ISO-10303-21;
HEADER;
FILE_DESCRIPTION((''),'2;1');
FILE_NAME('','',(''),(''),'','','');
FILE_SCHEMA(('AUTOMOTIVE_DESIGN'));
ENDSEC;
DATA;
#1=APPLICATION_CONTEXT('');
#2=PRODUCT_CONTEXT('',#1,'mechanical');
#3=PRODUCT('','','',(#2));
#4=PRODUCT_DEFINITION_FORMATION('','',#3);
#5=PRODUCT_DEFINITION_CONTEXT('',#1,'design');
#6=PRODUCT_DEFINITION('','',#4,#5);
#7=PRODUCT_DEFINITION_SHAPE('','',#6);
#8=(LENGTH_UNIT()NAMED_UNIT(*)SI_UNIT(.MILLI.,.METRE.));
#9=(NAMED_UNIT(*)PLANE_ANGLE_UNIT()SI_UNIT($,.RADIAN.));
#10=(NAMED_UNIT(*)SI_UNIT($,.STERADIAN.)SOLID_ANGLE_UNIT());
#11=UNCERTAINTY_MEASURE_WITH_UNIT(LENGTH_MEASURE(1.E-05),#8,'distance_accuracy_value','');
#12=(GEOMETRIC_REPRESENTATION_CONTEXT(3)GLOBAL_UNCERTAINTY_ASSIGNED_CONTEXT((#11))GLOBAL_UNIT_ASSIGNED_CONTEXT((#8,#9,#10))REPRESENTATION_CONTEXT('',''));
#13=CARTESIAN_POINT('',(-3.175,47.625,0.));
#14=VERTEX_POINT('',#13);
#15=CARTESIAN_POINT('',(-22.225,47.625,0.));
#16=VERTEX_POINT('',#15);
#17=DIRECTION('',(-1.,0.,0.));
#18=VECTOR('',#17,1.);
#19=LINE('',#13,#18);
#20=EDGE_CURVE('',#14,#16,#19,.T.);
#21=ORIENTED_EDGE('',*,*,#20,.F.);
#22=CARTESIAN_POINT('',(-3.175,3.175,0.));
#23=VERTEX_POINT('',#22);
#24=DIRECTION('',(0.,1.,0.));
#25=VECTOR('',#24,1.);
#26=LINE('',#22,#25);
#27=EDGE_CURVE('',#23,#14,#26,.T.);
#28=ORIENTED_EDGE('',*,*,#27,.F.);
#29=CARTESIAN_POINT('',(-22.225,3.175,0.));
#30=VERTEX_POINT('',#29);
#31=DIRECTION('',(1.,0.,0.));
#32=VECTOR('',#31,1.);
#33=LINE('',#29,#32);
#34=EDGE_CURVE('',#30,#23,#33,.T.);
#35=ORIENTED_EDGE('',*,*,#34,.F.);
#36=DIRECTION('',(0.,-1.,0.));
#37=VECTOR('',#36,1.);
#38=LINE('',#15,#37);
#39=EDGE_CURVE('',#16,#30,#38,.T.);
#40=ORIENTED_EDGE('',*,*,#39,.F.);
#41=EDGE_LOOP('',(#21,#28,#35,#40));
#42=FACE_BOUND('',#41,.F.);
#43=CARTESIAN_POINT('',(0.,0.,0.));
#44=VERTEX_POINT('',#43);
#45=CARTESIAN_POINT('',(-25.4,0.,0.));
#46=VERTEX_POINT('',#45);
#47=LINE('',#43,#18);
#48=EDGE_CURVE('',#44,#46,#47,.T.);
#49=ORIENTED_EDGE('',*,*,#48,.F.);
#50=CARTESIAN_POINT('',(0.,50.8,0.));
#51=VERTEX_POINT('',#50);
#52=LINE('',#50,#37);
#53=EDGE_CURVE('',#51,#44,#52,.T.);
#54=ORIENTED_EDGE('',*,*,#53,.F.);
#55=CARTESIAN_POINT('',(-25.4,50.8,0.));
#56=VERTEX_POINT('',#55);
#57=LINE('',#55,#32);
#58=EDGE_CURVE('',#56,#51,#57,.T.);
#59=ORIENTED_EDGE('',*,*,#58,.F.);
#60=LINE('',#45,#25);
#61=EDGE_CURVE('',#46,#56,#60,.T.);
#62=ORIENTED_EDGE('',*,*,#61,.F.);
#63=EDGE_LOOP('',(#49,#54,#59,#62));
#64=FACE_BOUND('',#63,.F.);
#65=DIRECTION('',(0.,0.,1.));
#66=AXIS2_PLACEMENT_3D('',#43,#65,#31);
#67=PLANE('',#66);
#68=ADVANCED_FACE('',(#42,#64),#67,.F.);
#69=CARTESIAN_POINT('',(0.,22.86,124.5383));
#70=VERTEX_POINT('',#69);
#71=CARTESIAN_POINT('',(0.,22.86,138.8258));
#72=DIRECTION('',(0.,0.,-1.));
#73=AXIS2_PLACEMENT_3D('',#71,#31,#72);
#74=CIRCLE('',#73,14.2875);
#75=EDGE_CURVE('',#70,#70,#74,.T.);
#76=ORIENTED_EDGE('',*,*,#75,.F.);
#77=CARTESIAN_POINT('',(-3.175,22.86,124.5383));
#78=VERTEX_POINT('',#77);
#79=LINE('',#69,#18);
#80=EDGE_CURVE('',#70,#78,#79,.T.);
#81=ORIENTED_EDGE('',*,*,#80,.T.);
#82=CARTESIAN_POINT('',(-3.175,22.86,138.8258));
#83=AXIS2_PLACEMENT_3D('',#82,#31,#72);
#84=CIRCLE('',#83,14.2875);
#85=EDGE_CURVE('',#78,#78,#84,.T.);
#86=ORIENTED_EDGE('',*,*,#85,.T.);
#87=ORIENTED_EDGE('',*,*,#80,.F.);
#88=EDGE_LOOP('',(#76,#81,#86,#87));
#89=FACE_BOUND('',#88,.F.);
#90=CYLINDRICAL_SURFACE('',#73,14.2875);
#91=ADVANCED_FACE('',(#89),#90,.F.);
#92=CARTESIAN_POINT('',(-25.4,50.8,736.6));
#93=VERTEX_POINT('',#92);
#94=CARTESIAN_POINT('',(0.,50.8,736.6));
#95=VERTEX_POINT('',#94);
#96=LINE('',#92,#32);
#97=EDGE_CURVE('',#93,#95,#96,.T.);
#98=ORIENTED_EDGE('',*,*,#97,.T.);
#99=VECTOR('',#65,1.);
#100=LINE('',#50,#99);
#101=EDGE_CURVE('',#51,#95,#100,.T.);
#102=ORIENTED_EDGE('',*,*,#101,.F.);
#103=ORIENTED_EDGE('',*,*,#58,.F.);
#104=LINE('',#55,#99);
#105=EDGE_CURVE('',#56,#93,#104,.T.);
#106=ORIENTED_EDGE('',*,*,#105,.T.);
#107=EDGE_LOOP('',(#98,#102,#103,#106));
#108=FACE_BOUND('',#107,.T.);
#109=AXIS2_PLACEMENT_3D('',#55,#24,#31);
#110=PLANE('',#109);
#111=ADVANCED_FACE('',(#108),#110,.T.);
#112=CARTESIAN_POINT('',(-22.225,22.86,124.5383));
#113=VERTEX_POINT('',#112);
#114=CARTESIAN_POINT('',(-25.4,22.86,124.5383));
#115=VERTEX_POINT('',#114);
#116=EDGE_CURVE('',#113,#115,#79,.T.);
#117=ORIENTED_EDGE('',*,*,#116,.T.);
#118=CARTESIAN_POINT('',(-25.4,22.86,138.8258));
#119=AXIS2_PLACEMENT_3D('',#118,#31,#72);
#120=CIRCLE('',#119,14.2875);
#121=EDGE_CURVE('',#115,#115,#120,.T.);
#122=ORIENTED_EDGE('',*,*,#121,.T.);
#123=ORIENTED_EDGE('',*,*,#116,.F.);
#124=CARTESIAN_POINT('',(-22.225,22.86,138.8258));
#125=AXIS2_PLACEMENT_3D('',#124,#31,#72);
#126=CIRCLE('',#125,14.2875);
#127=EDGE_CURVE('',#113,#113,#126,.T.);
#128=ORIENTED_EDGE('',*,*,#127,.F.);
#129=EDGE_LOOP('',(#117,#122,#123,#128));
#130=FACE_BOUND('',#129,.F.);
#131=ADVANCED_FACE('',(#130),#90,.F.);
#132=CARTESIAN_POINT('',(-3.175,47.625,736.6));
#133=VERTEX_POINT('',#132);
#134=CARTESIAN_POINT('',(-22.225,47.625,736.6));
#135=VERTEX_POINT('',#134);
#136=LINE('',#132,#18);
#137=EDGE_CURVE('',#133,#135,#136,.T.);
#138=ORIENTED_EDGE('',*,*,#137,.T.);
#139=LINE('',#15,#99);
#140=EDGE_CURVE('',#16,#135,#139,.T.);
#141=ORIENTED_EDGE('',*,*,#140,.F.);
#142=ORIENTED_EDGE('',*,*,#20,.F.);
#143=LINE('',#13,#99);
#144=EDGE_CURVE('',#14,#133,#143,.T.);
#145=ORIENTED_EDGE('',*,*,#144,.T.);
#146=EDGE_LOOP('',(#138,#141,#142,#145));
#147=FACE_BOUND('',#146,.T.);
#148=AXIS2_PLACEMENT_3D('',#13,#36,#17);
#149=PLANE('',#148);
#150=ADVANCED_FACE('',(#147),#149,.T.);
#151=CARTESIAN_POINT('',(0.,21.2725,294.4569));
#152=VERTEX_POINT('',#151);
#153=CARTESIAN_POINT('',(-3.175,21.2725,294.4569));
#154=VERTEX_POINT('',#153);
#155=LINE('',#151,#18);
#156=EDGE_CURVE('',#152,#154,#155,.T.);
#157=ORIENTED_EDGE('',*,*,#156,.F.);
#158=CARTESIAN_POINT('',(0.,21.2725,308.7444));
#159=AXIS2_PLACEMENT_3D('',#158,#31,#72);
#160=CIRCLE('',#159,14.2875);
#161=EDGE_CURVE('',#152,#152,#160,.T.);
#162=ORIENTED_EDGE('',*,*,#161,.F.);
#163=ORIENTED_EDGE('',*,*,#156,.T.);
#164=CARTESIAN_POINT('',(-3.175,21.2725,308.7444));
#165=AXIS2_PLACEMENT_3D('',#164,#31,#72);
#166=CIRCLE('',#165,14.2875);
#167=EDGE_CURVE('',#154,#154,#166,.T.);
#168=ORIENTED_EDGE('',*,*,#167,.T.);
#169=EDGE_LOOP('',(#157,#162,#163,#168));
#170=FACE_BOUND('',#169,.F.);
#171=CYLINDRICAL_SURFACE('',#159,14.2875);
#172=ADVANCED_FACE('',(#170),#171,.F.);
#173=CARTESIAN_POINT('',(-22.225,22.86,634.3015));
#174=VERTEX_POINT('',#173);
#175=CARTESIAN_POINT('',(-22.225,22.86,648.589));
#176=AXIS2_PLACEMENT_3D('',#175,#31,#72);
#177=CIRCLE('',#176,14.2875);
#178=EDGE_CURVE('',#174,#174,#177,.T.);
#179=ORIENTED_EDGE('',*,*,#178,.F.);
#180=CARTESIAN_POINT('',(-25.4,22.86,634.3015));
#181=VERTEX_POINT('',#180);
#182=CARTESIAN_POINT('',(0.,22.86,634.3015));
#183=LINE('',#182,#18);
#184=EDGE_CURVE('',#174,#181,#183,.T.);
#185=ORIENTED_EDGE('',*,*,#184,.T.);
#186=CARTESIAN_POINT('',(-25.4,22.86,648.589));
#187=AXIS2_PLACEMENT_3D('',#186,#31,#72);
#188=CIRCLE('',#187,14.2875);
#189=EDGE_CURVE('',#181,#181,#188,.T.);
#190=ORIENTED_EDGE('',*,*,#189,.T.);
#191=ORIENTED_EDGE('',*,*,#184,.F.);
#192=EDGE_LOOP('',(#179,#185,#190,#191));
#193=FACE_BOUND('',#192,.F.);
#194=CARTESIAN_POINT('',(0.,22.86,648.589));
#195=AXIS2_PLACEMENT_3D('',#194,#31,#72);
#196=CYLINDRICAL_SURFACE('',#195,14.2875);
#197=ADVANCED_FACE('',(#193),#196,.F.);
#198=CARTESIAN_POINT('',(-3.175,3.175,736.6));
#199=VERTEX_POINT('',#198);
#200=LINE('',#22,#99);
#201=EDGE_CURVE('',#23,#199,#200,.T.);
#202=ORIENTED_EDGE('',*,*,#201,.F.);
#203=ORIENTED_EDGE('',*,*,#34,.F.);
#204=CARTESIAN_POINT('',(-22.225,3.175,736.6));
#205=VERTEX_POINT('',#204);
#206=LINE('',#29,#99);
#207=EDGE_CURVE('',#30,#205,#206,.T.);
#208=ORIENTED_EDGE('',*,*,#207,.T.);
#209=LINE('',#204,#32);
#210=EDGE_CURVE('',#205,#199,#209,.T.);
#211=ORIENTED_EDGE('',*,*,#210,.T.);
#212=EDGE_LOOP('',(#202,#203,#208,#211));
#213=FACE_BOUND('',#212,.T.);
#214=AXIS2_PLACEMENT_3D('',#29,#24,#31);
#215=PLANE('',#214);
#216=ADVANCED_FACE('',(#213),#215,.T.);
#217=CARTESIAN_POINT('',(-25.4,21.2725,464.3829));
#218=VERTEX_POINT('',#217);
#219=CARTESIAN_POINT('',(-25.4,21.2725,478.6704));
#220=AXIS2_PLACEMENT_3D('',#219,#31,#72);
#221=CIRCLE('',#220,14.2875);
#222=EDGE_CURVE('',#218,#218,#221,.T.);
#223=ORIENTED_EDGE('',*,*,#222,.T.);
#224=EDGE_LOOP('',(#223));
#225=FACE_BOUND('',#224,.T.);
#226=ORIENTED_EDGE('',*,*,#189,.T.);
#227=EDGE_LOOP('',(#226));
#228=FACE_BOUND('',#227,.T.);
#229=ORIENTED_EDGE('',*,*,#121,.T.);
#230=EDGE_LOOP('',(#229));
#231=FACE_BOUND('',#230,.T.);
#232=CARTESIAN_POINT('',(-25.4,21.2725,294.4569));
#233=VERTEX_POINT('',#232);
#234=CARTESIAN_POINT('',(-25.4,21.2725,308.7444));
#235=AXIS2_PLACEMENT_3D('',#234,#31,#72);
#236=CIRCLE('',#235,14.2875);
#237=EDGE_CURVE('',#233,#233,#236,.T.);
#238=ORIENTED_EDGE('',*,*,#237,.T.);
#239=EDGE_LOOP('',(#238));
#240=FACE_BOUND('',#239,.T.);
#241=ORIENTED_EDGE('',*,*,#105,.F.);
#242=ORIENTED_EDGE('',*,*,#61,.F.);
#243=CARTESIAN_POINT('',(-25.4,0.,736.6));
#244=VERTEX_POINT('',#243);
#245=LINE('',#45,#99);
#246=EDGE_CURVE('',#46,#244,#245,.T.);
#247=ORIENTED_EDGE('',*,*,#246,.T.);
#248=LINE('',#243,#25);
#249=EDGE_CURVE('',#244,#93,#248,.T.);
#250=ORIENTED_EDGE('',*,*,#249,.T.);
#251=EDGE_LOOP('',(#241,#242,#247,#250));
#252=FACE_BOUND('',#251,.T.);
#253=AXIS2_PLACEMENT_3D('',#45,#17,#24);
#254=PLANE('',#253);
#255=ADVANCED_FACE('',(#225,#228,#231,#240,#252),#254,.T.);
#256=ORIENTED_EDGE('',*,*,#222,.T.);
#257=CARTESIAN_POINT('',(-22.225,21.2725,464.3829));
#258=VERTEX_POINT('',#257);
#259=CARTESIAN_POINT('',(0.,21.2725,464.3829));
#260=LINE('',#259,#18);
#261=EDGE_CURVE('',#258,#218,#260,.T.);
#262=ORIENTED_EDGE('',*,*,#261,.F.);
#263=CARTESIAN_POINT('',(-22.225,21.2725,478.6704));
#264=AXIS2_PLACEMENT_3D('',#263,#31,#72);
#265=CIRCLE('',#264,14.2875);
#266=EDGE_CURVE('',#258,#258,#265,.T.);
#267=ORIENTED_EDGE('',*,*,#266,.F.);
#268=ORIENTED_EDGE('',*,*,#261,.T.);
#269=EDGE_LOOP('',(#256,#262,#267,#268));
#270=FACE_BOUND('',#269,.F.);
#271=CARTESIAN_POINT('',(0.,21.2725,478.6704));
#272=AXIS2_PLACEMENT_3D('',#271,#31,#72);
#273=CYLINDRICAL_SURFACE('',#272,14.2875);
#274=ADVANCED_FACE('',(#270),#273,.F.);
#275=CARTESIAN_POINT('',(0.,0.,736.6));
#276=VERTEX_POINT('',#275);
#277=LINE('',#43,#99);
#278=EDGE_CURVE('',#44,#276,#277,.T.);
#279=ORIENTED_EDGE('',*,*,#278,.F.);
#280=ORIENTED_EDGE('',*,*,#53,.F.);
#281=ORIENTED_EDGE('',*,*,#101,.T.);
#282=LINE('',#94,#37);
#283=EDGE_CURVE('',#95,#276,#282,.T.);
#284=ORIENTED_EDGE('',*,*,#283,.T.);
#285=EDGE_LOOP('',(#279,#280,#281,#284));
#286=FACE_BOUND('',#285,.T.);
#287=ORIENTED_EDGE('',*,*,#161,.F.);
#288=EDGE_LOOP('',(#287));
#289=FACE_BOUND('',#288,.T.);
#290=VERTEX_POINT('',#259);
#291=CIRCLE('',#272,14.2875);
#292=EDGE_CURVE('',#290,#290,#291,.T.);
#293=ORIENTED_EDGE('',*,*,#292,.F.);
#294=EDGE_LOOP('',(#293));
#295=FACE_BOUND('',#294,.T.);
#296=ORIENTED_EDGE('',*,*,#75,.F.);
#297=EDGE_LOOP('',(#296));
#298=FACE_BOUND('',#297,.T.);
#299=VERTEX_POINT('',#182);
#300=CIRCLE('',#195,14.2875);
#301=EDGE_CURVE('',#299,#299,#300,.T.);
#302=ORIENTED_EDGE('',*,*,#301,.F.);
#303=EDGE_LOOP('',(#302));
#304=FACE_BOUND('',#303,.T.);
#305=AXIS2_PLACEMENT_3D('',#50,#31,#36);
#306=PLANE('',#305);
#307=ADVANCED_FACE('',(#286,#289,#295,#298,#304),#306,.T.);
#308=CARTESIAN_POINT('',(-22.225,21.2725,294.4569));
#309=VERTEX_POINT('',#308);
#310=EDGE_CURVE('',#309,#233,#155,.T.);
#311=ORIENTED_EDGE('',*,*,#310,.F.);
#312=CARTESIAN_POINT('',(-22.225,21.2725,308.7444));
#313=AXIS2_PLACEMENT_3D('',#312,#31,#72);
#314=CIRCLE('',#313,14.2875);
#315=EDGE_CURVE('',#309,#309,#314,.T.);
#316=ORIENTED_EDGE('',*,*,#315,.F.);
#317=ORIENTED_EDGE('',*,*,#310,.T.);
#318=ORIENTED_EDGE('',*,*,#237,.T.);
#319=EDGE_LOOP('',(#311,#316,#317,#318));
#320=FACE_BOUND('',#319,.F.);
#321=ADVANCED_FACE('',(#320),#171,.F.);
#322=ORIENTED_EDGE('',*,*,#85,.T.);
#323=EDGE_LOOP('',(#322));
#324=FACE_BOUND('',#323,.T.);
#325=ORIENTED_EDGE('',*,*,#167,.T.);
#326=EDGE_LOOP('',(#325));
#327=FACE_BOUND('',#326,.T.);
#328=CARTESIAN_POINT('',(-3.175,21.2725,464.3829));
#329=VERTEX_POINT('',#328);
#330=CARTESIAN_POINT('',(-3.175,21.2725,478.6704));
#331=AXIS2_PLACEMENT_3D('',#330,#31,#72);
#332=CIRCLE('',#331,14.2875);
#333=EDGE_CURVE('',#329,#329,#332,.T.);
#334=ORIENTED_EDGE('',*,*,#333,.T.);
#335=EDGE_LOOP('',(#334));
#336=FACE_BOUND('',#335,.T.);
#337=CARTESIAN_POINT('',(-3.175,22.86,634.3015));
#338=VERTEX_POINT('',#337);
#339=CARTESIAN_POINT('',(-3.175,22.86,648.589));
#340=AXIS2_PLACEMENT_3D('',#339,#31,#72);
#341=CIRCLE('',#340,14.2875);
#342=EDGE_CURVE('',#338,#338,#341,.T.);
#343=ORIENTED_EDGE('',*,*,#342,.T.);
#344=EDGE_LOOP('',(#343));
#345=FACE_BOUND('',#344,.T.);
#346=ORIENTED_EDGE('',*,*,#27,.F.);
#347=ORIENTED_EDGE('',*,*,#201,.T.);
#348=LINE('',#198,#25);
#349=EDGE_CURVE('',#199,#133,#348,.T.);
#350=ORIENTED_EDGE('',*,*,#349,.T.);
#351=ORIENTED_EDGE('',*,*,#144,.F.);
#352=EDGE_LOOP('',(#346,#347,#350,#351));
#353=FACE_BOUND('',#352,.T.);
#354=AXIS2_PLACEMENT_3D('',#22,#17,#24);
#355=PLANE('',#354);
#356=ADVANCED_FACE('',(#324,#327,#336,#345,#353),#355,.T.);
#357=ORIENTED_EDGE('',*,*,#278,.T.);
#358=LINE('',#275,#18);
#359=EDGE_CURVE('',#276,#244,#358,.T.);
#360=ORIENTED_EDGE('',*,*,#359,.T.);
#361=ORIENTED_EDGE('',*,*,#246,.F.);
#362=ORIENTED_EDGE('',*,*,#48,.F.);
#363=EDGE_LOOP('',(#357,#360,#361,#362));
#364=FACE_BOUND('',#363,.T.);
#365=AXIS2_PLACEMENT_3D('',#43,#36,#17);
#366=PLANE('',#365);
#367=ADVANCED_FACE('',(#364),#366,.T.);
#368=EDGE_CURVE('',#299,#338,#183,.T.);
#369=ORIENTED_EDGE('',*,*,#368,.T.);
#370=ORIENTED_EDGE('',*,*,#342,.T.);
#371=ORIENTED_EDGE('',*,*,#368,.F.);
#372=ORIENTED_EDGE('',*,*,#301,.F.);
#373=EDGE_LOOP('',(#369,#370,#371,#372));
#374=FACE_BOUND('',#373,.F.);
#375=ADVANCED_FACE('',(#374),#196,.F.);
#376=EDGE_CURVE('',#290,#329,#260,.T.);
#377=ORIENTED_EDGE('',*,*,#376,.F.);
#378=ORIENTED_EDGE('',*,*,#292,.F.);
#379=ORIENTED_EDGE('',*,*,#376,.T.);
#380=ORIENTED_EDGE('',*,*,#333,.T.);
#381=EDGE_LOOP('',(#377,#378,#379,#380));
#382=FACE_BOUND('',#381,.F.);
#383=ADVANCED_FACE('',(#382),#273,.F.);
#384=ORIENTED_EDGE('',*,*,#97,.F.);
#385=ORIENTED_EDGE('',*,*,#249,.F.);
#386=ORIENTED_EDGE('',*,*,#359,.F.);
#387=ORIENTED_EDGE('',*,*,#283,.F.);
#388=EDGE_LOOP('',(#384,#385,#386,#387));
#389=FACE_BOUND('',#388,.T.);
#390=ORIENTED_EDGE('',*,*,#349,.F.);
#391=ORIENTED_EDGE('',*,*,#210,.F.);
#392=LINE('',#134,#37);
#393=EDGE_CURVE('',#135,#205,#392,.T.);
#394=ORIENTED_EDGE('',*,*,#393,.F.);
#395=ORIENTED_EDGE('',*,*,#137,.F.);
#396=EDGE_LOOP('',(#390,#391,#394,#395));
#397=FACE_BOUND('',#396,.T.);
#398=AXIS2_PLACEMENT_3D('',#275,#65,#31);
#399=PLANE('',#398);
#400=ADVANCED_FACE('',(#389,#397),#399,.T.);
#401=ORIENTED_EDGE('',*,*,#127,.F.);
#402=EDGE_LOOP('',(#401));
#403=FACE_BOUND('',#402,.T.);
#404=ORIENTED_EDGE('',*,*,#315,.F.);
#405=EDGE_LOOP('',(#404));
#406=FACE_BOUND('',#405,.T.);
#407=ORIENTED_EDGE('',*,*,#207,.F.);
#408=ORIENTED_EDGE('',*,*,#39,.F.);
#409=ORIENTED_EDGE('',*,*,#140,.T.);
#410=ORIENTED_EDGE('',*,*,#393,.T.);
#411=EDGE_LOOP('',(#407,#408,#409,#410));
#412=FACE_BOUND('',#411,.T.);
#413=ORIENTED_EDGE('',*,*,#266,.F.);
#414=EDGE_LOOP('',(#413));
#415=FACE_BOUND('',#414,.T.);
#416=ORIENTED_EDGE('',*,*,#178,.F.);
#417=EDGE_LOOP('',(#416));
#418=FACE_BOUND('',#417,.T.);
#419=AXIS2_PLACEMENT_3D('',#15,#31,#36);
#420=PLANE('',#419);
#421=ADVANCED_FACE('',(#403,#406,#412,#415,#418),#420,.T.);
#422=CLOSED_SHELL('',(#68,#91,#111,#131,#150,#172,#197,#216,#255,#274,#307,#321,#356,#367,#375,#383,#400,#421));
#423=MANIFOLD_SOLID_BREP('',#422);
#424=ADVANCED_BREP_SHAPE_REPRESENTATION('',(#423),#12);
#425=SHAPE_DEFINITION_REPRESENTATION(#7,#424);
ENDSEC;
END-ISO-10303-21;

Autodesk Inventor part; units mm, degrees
ref_plane "YZ Plane" through (0, 0, 0) normal (1, 0, 0) x (0, 1, 0)
ref_plane "XZ Plane" through (0, 0, 0) normal (0, 1, 0) x (-1, 0, 0)
ref_plane "XY Plane" through (0, 0, 0) normal (0, 0, 1) x (1, 0, 0)
sketch "Sketch1" plane through (0, 0, 0) normal (0, 0, 1) x (1, 0, 0)
  line L0 (0, 0) -> (-25.4, 0)
  line L1 (-25.4, 0) -> (-25.4, 50.8)
  line L2 (-25.4, 50.8) -> (0, 50.8)
  line L3 (0, 50.8) -> (0, 0)
  line L4 (-22.225, 3.175) -> (-3.175, 3.175)
  line L5 (-3.175, 3.175) -> (-3.175, 47.625)
  line L6 (-3.175, 47.625) -> (-22.225, 47.625)
  line L7 (-22.225, 47.625) -> (-22.225, 3.175)
  dimension "d0" = 25.4
  dimension "d1" = 50.8
  dimension "d2" = 3.175
extrude "Extrusion1" add sketch "Sketch1" along normal blind 736.6
sketch "Sketch2" plane through (0, 0, 0) normal (1, 0, 0) x (0, 0, -1)
  circle A0 centre (-648.589, 22.86) radius 14.2875
  circle A1 centre (-478.6704, 21.2725) radius 14.2875
  circle A2 centre (-308.7444, 21.2725) radius 14.2875
  circle A3 centre (-138.8258, 22.86) radius 14.2875
  line L0 (0, 0) -> (-736.6, 0) projected
  line L1 (-736.6, 0) -> (-736.6, 50.8) projected
  line L2 (0, 50.8) -> (0, 0) projected
  dimension "d5" = 22.86
  dimension "d6" = 21.2725
  dimension "d7" = 21.2725
  dimension "d8" = 22.86
  dimension "d9" = 169.926
  dimension "d10" = 169.926
  dimension "d11" = 169.926
  dimension "d12" = 28.575
  dimension "d13" = 28.575
  dimension "d14" = 28.575
  dimension "d15" = 28.575
  dimension "d16" = 88.011
  dimension "d17" = 138.8258
extrude "Extrusion2" cut sketch "Sketch2" against normal blind 25.4
properties part number "28 Alum Tube"
